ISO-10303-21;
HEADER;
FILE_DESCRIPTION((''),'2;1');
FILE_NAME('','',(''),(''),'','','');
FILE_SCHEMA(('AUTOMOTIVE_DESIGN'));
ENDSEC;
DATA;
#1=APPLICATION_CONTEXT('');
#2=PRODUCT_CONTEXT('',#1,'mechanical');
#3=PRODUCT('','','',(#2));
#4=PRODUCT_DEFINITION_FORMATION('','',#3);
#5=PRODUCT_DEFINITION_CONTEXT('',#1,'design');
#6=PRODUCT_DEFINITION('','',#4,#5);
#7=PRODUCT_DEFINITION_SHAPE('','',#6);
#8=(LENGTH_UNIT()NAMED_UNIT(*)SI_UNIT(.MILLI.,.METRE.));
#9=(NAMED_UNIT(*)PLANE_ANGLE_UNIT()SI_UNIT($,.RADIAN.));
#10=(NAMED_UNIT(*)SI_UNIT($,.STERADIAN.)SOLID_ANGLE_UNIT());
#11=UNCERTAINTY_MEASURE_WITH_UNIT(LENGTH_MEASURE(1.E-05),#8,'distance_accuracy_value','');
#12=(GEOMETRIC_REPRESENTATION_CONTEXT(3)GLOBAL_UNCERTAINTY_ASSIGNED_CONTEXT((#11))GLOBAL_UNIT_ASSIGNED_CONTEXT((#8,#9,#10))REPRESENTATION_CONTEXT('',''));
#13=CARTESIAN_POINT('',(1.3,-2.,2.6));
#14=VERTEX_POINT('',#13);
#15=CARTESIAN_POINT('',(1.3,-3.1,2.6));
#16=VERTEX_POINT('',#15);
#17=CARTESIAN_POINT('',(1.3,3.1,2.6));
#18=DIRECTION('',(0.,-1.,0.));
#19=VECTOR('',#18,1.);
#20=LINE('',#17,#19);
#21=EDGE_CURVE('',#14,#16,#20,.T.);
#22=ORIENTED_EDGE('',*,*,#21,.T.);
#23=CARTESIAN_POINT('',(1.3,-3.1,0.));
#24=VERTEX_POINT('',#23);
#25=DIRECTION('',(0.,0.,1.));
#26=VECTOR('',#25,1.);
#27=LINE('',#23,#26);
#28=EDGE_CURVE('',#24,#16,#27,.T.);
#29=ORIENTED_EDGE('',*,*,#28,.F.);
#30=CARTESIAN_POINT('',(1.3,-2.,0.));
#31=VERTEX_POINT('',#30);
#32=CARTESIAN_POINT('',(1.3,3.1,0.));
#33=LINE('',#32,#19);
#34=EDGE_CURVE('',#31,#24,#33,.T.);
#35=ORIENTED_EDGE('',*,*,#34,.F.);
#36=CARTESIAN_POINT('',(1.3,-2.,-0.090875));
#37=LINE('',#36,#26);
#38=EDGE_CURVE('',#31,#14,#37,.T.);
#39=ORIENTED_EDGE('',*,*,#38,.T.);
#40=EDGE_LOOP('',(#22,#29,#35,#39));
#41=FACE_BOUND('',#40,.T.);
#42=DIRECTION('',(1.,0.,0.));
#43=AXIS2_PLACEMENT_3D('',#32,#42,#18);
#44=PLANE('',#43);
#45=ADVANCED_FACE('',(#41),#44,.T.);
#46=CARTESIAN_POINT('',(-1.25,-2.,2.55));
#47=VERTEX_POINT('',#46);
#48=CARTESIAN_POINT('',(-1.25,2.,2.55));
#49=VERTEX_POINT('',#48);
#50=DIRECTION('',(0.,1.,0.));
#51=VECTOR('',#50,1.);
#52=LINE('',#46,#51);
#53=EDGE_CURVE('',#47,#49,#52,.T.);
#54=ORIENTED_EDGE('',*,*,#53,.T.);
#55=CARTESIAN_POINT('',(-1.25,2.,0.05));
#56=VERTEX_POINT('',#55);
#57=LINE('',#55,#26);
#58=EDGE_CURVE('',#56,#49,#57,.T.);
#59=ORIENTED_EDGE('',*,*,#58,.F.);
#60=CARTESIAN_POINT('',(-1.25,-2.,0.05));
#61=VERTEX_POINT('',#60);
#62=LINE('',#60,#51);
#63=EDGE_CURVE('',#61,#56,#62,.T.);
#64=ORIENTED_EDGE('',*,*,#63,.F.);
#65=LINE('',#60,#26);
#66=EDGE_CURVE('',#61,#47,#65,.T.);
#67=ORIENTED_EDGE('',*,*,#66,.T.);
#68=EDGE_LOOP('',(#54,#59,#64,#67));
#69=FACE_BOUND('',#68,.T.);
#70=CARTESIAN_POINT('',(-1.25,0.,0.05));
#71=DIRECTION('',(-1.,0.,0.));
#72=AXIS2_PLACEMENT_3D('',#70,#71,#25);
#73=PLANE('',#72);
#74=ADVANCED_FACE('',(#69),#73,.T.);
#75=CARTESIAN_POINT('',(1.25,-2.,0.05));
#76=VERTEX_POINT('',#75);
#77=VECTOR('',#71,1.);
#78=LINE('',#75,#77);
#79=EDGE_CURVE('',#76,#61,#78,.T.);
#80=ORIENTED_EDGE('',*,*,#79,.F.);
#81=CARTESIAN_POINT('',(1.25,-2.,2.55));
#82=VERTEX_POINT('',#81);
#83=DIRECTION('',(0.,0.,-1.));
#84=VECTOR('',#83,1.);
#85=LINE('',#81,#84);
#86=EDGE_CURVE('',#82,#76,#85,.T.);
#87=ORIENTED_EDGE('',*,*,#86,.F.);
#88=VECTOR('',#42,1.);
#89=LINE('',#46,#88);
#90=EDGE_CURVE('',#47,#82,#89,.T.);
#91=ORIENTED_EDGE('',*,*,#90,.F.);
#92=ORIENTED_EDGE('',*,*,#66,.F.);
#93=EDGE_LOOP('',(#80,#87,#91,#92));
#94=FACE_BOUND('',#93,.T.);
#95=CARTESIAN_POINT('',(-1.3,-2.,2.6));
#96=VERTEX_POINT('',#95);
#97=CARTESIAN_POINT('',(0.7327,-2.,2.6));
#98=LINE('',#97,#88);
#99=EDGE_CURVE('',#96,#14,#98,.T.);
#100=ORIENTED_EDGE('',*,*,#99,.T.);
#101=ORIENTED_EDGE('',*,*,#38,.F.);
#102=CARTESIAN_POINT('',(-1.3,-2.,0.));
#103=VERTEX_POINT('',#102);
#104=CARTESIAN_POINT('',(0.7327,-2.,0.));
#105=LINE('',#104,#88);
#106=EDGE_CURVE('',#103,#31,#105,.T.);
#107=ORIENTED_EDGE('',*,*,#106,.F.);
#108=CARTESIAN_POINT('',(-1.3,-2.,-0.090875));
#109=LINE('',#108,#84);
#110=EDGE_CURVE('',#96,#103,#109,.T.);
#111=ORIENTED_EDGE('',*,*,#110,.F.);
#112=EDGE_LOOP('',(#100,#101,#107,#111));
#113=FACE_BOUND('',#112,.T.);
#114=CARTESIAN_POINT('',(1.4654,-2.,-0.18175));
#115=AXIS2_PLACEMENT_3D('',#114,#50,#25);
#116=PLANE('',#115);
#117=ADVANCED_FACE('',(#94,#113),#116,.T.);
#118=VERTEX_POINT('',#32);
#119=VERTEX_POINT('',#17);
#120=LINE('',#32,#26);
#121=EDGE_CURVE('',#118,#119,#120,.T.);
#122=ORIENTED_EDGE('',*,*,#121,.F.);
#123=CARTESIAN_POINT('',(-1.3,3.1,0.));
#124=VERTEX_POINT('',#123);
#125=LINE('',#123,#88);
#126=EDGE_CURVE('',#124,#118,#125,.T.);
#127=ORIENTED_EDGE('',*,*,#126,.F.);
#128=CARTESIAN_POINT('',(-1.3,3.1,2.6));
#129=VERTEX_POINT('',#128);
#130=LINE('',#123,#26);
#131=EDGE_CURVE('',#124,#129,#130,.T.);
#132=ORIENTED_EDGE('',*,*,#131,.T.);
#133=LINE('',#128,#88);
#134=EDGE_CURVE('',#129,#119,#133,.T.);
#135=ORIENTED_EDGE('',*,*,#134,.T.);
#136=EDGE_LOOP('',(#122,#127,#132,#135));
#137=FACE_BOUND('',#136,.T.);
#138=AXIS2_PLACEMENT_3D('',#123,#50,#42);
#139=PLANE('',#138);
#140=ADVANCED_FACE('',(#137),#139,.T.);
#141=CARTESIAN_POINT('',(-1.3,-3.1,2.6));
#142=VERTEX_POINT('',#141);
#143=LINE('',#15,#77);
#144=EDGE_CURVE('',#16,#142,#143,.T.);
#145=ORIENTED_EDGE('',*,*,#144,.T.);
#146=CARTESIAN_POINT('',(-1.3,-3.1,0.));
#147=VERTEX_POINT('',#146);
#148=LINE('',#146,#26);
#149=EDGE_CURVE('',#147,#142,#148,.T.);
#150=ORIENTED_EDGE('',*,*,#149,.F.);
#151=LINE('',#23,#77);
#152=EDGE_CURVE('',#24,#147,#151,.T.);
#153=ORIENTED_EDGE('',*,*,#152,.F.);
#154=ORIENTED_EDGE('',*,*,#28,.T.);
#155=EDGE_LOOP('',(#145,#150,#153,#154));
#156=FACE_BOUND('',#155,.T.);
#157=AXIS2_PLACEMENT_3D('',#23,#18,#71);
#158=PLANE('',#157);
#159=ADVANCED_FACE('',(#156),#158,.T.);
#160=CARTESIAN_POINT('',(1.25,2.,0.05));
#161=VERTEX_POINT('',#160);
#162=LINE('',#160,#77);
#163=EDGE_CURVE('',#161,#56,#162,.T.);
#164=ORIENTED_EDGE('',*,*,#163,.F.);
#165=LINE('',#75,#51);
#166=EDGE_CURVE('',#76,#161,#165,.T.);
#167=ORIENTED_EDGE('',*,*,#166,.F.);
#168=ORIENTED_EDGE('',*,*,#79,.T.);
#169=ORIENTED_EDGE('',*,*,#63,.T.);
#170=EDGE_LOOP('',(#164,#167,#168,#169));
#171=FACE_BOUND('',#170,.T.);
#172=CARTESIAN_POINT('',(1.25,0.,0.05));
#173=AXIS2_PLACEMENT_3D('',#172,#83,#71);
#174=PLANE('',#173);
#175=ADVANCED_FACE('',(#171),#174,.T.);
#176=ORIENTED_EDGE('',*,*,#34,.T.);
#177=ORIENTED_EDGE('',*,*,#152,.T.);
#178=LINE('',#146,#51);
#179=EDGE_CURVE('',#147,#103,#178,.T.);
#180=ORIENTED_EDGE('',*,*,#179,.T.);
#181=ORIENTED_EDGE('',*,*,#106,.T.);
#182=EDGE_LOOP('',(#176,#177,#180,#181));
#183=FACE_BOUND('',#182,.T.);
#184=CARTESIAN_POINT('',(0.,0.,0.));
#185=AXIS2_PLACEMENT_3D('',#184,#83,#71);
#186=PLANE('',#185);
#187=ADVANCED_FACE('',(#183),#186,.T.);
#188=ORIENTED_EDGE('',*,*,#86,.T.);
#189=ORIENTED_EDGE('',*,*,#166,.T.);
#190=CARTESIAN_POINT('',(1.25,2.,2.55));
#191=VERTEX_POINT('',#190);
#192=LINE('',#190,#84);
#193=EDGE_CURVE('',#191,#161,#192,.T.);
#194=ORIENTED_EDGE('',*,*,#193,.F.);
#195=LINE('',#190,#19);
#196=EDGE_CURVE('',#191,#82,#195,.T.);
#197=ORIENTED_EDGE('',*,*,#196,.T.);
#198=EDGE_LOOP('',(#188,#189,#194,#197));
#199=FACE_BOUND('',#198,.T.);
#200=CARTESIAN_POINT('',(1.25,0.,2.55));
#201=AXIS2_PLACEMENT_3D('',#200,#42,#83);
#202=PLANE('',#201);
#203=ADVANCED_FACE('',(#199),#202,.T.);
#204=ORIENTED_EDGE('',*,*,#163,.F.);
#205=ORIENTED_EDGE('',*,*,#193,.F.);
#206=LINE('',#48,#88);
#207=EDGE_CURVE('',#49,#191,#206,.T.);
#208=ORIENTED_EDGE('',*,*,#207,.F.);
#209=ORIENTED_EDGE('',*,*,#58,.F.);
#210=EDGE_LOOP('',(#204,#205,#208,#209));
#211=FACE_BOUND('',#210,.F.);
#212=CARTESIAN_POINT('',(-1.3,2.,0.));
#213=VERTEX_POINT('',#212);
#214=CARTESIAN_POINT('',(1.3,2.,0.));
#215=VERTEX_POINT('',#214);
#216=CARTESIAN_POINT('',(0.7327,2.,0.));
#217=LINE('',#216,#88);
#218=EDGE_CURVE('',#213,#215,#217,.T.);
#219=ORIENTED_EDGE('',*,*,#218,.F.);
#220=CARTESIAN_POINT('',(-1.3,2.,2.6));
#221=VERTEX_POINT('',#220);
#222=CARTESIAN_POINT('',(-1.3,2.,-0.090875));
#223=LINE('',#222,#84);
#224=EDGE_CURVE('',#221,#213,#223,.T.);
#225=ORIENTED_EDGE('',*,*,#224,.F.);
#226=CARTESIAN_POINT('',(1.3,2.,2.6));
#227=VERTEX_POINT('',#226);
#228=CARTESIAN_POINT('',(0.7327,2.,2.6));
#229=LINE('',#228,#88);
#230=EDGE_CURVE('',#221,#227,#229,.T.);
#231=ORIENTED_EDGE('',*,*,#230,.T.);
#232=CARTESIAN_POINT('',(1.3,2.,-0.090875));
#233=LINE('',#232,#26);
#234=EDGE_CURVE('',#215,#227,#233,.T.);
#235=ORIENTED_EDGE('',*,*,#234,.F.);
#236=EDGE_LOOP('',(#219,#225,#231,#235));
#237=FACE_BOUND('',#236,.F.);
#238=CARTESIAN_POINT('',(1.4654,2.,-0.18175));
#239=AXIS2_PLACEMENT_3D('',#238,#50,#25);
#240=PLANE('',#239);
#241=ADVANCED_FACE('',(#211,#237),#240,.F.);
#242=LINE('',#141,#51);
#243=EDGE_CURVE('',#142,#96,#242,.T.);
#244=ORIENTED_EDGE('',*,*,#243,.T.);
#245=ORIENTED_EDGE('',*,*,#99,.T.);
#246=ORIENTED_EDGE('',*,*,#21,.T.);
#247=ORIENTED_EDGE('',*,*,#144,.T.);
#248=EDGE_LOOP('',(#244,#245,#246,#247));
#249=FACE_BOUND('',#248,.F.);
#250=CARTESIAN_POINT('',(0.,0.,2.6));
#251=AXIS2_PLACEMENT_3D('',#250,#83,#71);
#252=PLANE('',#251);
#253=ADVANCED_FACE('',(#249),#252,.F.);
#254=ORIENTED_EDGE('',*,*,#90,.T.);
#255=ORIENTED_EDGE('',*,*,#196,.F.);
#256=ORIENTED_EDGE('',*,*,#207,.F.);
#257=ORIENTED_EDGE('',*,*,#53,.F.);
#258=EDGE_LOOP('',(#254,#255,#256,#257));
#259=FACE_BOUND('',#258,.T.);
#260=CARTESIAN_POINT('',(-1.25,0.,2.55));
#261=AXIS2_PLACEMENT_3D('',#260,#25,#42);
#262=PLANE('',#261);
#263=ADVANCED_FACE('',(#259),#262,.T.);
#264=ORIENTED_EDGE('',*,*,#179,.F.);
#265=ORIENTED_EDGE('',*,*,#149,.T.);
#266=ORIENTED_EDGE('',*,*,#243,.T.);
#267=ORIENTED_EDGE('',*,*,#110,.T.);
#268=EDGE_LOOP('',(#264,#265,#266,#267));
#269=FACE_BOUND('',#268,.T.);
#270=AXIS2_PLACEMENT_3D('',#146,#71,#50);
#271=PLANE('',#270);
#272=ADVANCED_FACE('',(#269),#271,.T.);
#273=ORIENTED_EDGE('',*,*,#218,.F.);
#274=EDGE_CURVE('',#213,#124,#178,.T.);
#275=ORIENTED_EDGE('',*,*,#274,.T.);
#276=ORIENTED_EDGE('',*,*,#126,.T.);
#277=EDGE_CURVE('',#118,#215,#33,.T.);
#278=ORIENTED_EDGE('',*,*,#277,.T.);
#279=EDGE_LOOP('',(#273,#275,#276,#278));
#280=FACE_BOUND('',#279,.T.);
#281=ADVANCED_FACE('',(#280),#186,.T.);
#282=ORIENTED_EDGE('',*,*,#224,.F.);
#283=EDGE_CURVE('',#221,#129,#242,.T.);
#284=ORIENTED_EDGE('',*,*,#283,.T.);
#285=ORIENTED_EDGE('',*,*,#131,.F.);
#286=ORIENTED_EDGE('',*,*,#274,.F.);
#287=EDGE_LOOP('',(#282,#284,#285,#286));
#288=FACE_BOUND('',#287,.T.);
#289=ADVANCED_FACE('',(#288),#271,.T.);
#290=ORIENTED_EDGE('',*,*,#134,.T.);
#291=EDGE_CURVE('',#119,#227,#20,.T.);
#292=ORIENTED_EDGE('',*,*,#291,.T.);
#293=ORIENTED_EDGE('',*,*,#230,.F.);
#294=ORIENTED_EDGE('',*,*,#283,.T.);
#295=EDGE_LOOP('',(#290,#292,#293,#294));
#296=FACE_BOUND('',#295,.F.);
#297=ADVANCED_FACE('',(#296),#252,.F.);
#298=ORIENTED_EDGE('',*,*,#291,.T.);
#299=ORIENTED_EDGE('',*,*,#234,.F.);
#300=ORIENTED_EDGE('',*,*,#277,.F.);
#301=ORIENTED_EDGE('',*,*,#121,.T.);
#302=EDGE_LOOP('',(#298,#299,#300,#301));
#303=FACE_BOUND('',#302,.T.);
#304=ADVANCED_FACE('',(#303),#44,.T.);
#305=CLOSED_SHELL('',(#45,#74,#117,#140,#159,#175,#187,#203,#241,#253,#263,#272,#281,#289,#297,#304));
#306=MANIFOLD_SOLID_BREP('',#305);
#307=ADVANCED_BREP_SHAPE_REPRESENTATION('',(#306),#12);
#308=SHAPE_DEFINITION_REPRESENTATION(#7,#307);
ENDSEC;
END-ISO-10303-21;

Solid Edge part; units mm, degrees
sketch "Sketch1" plane through (0, 0, 0) normal (0, 0, 1) x (1, 0, 0)
  line L0 (1.3, -3.1) -> (-1.3, -3.1)
  line L1 (-1.3, -3.1) -> (-1.3, 3.1)
  line L2 (-1.3, 3.1) -> (1.3, 3.1)
  line L3 (1.3, 3.1) -> (1.3, -3.1)
  dimension "D1" = 6.2
  dimension "D2" = 2.6
extrude "Protrusion1" add sketch "Sketch1" along normal blind 2.6
sketch "Sketch2" plane through (0, 0, 1.3) normal (0, -1, 0) x (1, 0, 0)
  line L0 (1.25, -1.25) -> (-1.25, -1.25)
  line L1 (-1.25, -1.25) -> (-1.25, 1.25)
  line L2 (-1.25, 1.25) -> (1.25, 1.25)
  line L3 (1.25, 1.25) -> (1.25, -1.25)
  line L4 (5.1749, -4.7518) -> (-2.2441, -4.7518)
  line L5 (-2.2441, -4.7518) -> (-2.2441, 1.7883)
  line L6 (-2.2441, 1.7883) -> (5.1749, 1.7883)
  line L7 (5.1749, 1.7883) -> (5.1749, -4.7518)
  dimension "D1" = 2.5
  dimension "D2" = 2.5
  dimension "D3" = 1.25
  dimension "D4" = 1.25
extrude "Extrusionsausschnitt_1" cut sketch "Sketch2" along normal mid plane 4
